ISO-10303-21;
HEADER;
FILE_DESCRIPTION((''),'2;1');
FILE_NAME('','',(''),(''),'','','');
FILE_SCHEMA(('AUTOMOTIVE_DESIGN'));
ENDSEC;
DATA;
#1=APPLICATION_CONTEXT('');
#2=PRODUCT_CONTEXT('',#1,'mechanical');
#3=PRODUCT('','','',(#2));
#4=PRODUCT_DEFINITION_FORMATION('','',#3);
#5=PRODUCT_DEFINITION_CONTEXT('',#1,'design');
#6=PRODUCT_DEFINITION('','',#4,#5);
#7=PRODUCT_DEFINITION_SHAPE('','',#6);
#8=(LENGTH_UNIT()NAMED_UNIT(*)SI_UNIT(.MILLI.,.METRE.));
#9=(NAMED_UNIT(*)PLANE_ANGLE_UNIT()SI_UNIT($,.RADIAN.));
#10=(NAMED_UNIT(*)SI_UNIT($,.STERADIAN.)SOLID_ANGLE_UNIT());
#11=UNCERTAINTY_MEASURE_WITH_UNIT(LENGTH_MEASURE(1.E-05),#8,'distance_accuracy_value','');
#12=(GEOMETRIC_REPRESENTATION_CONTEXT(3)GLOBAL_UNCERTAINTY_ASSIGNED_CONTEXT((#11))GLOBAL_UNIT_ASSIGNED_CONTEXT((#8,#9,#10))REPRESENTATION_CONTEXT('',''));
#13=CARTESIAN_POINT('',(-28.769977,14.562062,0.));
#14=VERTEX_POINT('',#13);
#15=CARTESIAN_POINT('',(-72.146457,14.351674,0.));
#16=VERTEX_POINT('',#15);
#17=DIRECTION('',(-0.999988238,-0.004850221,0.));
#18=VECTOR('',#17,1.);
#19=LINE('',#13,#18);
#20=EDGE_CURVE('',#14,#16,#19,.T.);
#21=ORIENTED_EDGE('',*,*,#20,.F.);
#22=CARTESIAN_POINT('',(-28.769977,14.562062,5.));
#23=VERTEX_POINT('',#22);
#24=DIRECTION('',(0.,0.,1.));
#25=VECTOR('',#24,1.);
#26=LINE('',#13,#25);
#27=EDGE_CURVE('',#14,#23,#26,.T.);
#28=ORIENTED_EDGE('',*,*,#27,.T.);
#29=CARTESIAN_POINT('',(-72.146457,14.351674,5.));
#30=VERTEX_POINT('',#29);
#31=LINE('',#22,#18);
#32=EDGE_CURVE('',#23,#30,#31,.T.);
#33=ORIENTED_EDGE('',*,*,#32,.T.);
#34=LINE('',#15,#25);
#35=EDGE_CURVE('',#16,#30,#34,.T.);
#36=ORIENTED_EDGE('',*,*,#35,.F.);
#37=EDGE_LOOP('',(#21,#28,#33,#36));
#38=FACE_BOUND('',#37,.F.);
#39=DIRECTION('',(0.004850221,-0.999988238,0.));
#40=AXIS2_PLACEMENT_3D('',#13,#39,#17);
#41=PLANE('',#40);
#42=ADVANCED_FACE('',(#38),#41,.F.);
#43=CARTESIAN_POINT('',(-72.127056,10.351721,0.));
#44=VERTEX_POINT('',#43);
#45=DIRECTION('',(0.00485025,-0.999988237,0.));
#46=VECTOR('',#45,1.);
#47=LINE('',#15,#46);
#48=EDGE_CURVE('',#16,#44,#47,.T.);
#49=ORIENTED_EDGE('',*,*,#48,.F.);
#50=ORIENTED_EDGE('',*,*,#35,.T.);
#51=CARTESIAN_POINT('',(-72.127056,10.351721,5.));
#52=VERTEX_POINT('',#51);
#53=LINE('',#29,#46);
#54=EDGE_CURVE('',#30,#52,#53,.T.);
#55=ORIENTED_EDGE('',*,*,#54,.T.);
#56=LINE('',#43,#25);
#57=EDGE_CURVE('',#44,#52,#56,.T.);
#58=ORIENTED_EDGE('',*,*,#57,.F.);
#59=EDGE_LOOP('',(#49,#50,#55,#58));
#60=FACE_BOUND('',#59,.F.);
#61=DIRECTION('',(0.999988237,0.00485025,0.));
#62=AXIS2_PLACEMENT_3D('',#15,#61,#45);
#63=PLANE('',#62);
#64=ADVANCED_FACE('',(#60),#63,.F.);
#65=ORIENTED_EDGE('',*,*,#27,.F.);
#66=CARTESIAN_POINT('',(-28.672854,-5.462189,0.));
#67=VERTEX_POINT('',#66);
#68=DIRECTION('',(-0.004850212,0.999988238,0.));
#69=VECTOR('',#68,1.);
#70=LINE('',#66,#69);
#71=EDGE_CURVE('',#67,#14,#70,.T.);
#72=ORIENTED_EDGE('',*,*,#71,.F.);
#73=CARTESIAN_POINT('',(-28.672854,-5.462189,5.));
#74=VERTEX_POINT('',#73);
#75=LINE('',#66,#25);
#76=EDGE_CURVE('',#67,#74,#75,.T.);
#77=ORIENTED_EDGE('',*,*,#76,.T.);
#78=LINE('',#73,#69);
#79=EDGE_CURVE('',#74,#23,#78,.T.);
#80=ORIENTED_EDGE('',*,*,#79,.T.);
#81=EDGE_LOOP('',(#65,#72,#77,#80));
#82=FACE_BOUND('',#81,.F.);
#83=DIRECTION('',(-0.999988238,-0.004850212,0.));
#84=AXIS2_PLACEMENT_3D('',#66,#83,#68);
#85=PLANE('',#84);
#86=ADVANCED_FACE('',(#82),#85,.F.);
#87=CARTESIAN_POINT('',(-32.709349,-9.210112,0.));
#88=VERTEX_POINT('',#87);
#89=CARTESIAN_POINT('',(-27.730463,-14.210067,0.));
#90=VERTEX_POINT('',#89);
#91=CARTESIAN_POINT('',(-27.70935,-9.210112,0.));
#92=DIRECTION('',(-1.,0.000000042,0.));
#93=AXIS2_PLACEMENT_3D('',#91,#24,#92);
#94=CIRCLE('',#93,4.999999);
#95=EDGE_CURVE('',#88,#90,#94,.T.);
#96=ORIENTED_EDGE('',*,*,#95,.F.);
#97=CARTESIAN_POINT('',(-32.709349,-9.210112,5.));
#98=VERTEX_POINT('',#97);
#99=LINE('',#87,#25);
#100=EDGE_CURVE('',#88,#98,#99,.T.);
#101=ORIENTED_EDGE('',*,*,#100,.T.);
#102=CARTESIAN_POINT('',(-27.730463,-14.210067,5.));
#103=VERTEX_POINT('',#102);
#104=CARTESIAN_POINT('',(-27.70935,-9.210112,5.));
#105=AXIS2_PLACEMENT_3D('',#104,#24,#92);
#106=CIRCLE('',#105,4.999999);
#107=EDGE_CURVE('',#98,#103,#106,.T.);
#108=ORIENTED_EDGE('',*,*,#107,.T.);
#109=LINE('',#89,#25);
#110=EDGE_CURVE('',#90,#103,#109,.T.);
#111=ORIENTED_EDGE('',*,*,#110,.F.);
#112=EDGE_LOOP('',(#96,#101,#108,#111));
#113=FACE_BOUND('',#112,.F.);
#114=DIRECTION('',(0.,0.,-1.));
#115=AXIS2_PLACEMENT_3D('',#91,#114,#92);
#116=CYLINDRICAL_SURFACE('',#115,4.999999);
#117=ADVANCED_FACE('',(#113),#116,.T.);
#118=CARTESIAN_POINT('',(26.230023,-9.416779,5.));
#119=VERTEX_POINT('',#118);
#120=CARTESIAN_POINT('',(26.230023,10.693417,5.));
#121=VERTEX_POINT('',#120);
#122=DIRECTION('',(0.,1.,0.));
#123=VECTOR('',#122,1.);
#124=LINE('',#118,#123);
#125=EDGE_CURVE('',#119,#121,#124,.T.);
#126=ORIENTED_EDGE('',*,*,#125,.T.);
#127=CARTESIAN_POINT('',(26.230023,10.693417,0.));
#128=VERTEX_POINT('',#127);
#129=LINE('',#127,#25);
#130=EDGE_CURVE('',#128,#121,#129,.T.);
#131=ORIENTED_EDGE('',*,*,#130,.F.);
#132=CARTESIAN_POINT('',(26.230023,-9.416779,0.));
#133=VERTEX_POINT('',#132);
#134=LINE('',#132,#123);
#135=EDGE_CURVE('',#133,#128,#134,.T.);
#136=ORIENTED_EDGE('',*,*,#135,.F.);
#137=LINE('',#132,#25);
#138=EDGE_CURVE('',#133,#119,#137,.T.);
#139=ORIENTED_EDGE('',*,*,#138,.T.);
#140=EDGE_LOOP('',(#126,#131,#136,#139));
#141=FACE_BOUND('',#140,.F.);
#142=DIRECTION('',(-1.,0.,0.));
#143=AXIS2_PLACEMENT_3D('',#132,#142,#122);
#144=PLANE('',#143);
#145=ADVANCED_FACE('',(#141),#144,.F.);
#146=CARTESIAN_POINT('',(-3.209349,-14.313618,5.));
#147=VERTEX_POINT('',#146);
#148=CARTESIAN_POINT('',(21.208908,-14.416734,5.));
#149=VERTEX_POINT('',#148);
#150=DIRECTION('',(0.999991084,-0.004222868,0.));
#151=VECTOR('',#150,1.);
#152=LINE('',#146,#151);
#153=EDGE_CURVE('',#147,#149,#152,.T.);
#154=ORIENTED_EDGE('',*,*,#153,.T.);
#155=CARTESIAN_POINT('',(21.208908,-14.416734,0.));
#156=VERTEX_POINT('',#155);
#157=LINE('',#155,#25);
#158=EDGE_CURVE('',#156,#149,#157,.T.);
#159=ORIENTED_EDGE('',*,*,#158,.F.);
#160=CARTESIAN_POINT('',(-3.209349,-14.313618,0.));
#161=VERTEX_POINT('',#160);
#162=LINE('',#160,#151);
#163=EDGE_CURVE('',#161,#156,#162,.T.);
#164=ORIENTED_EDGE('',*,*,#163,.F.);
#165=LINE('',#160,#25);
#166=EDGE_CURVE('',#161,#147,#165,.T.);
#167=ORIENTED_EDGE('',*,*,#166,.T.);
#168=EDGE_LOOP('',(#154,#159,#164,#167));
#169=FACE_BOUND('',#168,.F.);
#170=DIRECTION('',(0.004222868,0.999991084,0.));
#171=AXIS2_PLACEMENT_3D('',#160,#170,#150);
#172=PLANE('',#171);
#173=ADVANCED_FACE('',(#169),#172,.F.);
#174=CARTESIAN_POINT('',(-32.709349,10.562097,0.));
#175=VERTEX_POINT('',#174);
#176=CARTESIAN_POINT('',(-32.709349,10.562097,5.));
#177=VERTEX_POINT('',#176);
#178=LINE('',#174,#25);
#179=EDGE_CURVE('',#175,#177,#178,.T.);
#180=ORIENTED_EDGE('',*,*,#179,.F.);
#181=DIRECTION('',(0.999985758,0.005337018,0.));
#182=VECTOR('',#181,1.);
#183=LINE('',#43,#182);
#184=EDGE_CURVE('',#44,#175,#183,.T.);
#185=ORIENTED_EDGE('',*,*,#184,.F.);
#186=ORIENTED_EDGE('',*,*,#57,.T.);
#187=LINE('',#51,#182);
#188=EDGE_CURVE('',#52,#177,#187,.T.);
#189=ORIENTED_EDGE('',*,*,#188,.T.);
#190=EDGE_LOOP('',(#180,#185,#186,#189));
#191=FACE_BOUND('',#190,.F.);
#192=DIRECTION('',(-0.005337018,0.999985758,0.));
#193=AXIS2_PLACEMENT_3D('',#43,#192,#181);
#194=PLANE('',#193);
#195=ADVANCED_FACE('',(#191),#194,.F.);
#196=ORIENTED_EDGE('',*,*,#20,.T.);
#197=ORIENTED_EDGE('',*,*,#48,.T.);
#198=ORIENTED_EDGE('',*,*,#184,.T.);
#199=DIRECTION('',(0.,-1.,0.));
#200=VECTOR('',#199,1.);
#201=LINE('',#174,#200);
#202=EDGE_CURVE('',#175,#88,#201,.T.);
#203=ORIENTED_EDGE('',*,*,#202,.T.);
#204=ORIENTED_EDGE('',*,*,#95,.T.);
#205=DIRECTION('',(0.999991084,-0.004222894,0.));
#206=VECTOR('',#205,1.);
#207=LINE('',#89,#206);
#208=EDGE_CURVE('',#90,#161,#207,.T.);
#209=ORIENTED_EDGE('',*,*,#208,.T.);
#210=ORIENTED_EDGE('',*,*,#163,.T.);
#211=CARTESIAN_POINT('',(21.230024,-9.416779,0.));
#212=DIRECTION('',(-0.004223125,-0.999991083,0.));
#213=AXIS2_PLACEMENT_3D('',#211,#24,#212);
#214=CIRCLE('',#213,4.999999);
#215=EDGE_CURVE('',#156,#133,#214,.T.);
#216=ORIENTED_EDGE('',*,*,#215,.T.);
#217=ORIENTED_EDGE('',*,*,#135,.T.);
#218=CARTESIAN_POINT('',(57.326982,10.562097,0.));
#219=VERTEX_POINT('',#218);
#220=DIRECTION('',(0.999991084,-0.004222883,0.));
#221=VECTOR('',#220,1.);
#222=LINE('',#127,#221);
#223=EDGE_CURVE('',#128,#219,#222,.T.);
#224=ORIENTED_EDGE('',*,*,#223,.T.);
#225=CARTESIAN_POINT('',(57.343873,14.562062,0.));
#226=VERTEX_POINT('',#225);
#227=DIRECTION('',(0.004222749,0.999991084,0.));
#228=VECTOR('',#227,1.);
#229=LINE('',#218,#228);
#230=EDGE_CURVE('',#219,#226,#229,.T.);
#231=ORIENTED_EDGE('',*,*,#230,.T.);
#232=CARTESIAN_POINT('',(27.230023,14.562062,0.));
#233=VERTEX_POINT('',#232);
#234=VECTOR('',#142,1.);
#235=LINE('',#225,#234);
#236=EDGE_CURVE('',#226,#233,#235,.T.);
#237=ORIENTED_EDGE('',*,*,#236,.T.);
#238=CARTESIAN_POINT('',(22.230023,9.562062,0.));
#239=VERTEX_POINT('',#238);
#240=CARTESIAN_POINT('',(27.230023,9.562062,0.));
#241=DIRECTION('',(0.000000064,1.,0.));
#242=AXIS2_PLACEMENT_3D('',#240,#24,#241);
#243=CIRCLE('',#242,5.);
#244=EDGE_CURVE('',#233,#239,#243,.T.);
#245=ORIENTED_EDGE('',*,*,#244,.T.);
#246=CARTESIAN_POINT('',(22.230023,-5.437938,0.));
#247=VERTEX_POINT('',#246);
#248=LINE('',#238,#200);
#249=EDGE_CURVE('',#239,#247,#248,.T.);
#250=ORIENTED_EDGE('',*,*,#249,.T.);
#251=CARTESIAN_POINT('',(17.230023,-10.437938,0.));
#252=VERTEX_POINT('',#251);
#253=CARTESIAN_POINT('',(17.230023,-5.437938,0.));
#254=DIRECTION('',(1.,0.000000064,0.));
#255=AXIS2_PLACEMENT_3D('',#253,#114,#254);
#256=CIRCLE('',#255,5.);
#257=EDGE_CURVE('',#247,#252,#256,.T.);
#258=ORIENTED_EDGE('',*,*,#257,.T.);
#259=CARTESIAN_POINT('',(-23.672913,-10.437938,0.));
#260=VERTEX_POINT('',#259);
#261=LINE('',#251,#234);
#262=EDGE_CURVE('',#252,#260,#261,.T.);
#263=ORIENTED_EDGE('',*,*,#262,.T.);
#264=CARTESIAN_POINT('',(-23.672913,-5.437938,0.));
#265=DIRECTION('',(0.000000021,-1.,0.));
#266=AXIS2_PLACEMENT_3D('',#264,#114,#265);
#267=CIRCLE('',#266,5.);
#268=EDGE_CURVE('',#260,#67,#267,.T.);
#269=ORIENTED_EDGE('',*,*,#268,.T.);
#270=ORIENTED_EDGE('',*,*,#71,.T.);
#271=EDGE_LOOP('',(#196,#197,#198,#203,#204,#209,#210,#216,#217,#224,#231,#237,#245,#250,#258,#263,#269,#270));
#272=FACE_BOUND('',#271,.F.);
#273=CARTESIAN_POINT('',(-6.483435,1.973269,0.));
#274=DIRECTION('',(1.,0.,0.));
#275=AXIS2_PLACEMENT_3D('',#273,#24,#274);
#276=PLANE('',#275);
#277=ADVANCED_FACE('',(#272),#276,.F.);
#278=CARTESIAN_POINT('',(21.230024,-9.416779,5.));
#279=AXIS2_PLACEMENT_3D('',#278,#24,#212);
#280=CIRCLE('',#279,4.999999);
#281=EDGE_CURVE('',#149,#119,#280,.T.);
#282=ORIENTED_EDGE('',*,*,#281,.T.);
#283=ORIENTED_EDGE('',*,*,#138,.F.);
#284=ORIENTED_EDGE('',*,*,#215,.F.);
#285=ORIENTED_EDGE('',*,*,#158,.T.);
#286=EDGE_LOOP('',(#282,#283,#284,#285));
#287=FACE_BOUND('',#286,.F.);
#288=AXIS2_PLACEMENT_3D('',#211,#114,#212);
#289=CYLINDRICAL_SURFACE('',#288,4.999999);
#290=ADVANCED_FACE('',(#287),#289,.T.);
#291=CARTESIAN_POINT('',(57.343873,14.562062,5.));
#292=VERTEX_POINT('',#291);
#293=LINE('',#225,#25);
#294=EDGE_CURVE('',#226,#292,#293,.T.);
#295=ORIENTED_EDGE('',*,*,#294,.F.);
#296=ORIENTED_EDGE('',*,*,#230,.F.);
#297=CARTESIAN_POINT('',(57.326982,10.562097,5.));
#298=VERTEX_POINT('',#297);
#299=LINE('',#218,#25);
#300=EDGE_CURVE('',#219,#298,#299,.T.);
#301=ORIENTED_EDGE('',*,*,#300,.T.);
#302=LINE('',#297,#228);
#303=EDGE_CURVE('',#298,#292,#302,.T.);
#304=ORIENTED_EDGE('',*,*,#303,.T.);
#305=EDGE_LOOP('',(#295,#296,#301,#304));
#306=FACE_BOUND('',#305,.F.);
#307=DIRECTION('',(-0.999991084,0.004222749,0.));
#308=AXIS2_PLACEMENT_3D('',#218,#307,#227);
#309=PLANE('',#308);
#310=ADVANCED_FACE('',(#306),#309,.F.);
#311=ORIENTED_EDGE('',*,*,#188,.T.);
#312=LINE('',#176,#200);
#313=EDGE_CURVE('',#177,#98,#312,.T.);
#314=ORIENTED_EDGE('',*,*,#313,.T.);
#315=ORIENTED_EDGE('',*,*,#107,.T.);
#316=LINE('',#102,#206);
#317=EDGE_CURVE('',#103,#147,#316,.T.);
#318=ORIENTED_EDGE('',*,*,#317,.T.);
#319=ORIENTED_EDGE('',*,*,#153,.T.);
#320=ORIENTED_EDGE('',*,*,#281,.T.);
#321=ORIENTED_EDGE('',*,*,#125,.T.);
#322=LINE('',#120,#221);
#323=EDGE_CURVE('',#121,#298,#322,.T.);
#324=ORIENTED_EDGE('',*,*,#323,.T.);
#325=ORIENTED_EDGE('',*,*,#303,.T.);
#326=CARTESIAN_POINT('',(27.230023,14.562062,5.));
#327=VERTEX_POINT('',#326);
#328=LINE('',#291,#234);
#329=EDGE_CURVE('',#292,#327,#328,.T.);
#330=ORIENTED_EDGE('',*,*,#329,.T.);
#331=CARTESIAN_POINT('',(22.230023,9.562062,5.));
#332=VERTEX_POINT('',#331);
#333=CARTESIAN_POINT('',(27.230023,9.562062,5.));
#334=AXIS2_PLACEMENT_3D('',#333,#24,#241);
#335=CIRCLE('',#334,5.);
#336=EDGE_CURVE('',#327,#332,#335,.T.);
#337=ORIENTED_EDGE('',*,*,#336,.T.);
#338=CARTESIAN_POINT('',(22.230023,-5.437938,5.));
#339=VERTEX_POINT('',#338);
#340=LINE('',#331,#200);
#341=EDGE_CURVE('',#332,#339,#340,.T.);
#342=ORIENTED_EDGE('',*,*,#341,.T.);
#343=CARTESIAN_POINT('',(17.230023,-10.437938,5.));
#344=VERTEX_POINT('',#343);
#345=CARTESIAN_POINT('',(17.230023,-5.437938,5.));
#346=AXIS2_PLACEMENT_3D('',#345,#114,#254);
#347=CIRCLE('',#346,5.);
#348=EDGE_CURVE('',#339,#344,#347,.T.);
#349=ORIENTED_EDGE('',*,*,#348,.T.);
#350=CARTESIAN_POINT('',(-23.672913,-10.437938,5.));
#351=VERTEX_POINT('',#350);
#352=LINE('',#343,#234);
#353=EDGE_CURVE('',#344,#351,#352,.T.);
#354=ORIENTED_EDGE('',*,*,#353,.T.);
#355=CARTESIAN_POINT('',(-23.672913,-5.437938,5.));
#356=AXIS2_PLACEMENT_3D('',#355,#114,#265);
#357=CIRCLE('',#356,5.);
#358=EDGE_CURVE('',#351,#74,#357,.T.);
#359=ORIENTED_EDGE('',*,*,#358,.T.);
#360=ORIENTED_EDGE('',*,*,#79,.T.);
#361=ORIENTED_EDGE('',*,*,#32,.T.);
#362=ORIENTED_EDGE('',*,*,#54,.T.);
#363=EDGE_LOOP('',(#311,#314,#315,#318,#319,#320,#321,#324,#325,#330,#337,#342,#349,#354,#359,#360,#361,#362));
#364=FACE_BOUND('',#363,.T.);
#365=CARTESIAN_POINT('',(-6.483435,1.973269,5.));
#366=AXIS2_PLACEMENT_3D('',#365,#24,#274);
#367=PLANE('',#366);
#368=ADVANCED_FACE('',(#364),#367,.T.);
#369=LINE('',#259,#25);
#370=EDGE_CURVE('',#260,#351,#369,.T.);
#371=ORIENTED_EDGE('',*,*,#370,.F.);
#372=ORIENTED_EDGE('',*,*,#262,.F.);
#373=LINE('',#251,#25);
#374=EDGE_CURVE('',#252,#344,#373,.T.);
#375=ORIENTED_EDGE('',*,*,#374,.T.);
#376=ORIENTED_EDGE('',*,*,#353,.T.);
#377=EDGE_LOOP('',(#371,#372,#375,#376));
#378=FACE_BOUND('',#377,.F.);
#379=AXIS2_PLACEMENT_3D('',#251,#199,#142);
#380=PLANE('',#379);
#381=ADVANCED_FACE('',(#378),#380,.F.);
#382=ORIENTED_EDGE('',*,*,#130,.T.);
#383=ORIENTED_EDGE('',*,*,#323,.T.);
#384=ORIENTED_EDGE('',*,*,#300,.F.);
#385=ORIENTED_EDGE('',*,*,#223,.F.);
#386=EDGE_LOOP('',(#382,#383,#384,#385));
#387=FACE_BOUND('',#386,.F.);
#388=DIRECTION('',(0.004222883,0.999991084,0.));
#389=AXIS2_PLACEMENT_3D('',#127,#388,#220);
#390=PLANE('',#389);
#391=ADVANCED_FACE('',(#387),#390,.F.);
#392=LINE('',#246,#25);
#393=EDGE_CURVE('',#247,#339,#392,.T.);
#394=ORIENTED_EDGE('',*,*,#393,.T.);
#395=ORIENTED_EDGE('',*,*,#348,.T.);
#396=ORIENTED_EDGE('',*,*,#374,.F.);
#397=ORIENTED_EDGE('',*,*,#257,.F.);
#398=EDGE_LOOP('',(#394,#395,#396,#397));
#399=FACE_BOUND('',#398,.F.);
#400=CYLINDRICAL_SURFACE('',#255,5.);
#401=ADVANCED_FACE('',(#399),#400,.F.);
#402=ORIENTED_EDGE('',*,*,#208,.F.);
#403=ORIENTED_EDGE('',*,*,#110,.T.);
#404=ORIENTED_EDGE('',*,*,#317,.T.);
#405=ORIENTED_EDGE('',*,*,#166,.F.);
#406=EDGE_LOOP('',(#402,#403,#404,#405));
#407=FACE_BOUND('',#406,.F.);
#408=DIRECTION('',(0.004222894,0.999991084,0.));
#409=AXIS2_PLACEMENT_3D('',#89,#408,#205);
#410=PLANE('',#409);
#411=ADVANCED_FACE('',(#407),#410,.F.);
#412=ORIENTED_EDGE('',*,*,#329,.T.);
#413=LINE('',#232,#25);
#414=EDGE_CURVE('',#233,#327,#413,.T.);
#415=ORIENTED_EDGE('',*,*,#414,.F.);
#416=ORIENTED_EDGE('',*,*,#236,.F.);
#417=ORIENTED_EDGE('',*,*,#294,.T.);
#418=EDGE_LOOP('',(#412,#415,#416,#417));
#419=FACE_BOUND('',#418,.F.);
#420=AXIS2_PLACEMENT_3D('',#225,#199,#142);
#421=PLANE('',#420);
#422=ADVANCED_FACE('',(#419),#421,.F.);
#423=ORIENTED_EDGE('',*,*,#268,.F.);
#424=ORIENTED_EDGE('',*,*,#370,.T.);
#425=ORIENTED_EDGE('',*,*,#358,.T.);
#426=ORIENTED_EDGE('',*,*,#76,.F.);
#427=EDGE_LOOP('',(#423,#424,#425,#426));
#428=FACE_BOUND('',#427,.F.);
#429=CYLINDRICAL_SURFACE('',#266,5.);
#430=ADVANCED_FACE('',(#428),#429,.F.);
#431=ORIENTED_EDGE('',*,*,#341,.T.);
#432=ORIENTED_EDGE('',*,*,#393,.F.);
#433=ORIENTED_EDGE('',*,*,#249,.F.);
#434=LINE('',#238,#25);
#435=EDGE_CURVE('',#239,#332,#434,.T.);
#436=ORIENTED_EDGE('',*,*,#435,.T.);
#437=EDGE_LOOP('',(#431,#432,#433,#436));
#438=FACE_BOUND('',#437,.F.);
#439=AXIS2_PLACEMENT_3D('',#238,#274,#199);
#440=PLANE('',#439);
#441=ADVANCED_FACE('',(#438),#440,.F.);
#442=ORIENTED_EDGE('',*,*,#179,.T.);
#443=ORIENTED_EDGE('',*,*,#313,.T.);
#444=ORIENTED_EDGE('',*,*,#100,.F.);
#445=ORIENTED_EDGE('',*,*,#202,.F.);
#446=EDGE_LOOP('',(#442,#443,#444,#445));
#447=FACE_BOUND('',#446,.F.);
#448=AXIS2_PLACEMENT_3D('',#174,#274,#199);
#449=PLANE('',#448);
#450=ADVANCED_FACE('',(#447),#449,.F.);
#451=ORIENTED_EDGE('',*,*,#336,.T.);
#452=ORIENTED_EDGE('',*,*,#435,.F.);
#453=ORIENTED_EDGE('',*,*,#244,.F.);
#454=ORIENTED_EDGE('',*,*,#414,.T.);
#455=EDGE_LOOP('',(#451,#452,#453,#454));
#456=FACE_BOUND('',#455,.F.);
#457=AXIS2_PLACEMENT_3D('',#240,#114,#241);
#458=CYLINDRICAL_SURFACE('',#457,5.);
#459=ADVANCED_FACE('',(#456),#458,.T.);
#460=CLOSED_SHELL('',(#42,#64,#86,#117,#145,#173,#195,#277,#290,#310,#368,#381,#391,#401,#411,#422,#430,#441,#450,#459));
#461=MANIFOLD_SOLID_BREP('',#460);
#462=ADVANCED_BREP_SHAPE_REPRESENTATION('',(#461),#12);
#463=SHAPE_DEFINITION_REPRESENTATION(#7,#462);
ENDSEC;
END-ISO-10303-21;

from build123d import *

# Parameters (mm, degrees)
F1_DEPTH = 5


with BuildPart() as f1:
    # F0 (on Top) → F1 (new body)
    with BuildSketch(Plane.XY):
        with BuildLine():
            Line((57.326982, 10.562097), (57.343873, 14.562062))
            Line((57.343873, 14.562062), (27.273512, 14.562062))
            Line((27.273512, 14.562062), (27.230023, 14.562062))
            ThreePointArc((27.230023, 14.562062), (23.694489, 13.097596), (22.230023, 9.562062))
            Line((22.230023, 9.562062), (22.230023, -5.437938))
            ThreePointArc((22.230023, -5.437938), (20.765557, -8.973472), (17.230023, -10.437938))
            Line((17.230023, -10.437938), (-23.672913, -10.437938))
            ThreePointArc((-23.672913, -10.437938), (-27.199862, -8.982036), (-28.672854, -5.462189))
            Line((-28.672854, -5.462189), (-28.769977, 14.562062))
            Line((-28.769977, 14.562062), (-72.146457, 14.351674))
            Line((-72.146457, 14.351674), (-72.127056, 10.351721))
            Line((-72.127056, 10.351721), (-32.709349, 10.562097))
            Line((-32.709349, 10.562097), (-32.709349, -9.210112))
            ThreePointArc((-32.709349, -9.210112), (-31.25234, -12.738173), (-27.730463, -14.210067))
            Line((-27.730463, -14.210067), (-3.209349, -14.313618))
            Line((-3.209349, -14.313618), (21.208908, -14.416734))
            ThreePointArc((21.208908, -14.416734), (24.758084, -12.95977), (26.230023, -9.416779))
            Line((26.230023, -9.416779), (26.230023, 10.693417))
            Line((26.230023, 10.693417), (57.326982, 10.562097))
        make_face()
    extrude(amount=F1_DEPTH)


solid = f1.part
